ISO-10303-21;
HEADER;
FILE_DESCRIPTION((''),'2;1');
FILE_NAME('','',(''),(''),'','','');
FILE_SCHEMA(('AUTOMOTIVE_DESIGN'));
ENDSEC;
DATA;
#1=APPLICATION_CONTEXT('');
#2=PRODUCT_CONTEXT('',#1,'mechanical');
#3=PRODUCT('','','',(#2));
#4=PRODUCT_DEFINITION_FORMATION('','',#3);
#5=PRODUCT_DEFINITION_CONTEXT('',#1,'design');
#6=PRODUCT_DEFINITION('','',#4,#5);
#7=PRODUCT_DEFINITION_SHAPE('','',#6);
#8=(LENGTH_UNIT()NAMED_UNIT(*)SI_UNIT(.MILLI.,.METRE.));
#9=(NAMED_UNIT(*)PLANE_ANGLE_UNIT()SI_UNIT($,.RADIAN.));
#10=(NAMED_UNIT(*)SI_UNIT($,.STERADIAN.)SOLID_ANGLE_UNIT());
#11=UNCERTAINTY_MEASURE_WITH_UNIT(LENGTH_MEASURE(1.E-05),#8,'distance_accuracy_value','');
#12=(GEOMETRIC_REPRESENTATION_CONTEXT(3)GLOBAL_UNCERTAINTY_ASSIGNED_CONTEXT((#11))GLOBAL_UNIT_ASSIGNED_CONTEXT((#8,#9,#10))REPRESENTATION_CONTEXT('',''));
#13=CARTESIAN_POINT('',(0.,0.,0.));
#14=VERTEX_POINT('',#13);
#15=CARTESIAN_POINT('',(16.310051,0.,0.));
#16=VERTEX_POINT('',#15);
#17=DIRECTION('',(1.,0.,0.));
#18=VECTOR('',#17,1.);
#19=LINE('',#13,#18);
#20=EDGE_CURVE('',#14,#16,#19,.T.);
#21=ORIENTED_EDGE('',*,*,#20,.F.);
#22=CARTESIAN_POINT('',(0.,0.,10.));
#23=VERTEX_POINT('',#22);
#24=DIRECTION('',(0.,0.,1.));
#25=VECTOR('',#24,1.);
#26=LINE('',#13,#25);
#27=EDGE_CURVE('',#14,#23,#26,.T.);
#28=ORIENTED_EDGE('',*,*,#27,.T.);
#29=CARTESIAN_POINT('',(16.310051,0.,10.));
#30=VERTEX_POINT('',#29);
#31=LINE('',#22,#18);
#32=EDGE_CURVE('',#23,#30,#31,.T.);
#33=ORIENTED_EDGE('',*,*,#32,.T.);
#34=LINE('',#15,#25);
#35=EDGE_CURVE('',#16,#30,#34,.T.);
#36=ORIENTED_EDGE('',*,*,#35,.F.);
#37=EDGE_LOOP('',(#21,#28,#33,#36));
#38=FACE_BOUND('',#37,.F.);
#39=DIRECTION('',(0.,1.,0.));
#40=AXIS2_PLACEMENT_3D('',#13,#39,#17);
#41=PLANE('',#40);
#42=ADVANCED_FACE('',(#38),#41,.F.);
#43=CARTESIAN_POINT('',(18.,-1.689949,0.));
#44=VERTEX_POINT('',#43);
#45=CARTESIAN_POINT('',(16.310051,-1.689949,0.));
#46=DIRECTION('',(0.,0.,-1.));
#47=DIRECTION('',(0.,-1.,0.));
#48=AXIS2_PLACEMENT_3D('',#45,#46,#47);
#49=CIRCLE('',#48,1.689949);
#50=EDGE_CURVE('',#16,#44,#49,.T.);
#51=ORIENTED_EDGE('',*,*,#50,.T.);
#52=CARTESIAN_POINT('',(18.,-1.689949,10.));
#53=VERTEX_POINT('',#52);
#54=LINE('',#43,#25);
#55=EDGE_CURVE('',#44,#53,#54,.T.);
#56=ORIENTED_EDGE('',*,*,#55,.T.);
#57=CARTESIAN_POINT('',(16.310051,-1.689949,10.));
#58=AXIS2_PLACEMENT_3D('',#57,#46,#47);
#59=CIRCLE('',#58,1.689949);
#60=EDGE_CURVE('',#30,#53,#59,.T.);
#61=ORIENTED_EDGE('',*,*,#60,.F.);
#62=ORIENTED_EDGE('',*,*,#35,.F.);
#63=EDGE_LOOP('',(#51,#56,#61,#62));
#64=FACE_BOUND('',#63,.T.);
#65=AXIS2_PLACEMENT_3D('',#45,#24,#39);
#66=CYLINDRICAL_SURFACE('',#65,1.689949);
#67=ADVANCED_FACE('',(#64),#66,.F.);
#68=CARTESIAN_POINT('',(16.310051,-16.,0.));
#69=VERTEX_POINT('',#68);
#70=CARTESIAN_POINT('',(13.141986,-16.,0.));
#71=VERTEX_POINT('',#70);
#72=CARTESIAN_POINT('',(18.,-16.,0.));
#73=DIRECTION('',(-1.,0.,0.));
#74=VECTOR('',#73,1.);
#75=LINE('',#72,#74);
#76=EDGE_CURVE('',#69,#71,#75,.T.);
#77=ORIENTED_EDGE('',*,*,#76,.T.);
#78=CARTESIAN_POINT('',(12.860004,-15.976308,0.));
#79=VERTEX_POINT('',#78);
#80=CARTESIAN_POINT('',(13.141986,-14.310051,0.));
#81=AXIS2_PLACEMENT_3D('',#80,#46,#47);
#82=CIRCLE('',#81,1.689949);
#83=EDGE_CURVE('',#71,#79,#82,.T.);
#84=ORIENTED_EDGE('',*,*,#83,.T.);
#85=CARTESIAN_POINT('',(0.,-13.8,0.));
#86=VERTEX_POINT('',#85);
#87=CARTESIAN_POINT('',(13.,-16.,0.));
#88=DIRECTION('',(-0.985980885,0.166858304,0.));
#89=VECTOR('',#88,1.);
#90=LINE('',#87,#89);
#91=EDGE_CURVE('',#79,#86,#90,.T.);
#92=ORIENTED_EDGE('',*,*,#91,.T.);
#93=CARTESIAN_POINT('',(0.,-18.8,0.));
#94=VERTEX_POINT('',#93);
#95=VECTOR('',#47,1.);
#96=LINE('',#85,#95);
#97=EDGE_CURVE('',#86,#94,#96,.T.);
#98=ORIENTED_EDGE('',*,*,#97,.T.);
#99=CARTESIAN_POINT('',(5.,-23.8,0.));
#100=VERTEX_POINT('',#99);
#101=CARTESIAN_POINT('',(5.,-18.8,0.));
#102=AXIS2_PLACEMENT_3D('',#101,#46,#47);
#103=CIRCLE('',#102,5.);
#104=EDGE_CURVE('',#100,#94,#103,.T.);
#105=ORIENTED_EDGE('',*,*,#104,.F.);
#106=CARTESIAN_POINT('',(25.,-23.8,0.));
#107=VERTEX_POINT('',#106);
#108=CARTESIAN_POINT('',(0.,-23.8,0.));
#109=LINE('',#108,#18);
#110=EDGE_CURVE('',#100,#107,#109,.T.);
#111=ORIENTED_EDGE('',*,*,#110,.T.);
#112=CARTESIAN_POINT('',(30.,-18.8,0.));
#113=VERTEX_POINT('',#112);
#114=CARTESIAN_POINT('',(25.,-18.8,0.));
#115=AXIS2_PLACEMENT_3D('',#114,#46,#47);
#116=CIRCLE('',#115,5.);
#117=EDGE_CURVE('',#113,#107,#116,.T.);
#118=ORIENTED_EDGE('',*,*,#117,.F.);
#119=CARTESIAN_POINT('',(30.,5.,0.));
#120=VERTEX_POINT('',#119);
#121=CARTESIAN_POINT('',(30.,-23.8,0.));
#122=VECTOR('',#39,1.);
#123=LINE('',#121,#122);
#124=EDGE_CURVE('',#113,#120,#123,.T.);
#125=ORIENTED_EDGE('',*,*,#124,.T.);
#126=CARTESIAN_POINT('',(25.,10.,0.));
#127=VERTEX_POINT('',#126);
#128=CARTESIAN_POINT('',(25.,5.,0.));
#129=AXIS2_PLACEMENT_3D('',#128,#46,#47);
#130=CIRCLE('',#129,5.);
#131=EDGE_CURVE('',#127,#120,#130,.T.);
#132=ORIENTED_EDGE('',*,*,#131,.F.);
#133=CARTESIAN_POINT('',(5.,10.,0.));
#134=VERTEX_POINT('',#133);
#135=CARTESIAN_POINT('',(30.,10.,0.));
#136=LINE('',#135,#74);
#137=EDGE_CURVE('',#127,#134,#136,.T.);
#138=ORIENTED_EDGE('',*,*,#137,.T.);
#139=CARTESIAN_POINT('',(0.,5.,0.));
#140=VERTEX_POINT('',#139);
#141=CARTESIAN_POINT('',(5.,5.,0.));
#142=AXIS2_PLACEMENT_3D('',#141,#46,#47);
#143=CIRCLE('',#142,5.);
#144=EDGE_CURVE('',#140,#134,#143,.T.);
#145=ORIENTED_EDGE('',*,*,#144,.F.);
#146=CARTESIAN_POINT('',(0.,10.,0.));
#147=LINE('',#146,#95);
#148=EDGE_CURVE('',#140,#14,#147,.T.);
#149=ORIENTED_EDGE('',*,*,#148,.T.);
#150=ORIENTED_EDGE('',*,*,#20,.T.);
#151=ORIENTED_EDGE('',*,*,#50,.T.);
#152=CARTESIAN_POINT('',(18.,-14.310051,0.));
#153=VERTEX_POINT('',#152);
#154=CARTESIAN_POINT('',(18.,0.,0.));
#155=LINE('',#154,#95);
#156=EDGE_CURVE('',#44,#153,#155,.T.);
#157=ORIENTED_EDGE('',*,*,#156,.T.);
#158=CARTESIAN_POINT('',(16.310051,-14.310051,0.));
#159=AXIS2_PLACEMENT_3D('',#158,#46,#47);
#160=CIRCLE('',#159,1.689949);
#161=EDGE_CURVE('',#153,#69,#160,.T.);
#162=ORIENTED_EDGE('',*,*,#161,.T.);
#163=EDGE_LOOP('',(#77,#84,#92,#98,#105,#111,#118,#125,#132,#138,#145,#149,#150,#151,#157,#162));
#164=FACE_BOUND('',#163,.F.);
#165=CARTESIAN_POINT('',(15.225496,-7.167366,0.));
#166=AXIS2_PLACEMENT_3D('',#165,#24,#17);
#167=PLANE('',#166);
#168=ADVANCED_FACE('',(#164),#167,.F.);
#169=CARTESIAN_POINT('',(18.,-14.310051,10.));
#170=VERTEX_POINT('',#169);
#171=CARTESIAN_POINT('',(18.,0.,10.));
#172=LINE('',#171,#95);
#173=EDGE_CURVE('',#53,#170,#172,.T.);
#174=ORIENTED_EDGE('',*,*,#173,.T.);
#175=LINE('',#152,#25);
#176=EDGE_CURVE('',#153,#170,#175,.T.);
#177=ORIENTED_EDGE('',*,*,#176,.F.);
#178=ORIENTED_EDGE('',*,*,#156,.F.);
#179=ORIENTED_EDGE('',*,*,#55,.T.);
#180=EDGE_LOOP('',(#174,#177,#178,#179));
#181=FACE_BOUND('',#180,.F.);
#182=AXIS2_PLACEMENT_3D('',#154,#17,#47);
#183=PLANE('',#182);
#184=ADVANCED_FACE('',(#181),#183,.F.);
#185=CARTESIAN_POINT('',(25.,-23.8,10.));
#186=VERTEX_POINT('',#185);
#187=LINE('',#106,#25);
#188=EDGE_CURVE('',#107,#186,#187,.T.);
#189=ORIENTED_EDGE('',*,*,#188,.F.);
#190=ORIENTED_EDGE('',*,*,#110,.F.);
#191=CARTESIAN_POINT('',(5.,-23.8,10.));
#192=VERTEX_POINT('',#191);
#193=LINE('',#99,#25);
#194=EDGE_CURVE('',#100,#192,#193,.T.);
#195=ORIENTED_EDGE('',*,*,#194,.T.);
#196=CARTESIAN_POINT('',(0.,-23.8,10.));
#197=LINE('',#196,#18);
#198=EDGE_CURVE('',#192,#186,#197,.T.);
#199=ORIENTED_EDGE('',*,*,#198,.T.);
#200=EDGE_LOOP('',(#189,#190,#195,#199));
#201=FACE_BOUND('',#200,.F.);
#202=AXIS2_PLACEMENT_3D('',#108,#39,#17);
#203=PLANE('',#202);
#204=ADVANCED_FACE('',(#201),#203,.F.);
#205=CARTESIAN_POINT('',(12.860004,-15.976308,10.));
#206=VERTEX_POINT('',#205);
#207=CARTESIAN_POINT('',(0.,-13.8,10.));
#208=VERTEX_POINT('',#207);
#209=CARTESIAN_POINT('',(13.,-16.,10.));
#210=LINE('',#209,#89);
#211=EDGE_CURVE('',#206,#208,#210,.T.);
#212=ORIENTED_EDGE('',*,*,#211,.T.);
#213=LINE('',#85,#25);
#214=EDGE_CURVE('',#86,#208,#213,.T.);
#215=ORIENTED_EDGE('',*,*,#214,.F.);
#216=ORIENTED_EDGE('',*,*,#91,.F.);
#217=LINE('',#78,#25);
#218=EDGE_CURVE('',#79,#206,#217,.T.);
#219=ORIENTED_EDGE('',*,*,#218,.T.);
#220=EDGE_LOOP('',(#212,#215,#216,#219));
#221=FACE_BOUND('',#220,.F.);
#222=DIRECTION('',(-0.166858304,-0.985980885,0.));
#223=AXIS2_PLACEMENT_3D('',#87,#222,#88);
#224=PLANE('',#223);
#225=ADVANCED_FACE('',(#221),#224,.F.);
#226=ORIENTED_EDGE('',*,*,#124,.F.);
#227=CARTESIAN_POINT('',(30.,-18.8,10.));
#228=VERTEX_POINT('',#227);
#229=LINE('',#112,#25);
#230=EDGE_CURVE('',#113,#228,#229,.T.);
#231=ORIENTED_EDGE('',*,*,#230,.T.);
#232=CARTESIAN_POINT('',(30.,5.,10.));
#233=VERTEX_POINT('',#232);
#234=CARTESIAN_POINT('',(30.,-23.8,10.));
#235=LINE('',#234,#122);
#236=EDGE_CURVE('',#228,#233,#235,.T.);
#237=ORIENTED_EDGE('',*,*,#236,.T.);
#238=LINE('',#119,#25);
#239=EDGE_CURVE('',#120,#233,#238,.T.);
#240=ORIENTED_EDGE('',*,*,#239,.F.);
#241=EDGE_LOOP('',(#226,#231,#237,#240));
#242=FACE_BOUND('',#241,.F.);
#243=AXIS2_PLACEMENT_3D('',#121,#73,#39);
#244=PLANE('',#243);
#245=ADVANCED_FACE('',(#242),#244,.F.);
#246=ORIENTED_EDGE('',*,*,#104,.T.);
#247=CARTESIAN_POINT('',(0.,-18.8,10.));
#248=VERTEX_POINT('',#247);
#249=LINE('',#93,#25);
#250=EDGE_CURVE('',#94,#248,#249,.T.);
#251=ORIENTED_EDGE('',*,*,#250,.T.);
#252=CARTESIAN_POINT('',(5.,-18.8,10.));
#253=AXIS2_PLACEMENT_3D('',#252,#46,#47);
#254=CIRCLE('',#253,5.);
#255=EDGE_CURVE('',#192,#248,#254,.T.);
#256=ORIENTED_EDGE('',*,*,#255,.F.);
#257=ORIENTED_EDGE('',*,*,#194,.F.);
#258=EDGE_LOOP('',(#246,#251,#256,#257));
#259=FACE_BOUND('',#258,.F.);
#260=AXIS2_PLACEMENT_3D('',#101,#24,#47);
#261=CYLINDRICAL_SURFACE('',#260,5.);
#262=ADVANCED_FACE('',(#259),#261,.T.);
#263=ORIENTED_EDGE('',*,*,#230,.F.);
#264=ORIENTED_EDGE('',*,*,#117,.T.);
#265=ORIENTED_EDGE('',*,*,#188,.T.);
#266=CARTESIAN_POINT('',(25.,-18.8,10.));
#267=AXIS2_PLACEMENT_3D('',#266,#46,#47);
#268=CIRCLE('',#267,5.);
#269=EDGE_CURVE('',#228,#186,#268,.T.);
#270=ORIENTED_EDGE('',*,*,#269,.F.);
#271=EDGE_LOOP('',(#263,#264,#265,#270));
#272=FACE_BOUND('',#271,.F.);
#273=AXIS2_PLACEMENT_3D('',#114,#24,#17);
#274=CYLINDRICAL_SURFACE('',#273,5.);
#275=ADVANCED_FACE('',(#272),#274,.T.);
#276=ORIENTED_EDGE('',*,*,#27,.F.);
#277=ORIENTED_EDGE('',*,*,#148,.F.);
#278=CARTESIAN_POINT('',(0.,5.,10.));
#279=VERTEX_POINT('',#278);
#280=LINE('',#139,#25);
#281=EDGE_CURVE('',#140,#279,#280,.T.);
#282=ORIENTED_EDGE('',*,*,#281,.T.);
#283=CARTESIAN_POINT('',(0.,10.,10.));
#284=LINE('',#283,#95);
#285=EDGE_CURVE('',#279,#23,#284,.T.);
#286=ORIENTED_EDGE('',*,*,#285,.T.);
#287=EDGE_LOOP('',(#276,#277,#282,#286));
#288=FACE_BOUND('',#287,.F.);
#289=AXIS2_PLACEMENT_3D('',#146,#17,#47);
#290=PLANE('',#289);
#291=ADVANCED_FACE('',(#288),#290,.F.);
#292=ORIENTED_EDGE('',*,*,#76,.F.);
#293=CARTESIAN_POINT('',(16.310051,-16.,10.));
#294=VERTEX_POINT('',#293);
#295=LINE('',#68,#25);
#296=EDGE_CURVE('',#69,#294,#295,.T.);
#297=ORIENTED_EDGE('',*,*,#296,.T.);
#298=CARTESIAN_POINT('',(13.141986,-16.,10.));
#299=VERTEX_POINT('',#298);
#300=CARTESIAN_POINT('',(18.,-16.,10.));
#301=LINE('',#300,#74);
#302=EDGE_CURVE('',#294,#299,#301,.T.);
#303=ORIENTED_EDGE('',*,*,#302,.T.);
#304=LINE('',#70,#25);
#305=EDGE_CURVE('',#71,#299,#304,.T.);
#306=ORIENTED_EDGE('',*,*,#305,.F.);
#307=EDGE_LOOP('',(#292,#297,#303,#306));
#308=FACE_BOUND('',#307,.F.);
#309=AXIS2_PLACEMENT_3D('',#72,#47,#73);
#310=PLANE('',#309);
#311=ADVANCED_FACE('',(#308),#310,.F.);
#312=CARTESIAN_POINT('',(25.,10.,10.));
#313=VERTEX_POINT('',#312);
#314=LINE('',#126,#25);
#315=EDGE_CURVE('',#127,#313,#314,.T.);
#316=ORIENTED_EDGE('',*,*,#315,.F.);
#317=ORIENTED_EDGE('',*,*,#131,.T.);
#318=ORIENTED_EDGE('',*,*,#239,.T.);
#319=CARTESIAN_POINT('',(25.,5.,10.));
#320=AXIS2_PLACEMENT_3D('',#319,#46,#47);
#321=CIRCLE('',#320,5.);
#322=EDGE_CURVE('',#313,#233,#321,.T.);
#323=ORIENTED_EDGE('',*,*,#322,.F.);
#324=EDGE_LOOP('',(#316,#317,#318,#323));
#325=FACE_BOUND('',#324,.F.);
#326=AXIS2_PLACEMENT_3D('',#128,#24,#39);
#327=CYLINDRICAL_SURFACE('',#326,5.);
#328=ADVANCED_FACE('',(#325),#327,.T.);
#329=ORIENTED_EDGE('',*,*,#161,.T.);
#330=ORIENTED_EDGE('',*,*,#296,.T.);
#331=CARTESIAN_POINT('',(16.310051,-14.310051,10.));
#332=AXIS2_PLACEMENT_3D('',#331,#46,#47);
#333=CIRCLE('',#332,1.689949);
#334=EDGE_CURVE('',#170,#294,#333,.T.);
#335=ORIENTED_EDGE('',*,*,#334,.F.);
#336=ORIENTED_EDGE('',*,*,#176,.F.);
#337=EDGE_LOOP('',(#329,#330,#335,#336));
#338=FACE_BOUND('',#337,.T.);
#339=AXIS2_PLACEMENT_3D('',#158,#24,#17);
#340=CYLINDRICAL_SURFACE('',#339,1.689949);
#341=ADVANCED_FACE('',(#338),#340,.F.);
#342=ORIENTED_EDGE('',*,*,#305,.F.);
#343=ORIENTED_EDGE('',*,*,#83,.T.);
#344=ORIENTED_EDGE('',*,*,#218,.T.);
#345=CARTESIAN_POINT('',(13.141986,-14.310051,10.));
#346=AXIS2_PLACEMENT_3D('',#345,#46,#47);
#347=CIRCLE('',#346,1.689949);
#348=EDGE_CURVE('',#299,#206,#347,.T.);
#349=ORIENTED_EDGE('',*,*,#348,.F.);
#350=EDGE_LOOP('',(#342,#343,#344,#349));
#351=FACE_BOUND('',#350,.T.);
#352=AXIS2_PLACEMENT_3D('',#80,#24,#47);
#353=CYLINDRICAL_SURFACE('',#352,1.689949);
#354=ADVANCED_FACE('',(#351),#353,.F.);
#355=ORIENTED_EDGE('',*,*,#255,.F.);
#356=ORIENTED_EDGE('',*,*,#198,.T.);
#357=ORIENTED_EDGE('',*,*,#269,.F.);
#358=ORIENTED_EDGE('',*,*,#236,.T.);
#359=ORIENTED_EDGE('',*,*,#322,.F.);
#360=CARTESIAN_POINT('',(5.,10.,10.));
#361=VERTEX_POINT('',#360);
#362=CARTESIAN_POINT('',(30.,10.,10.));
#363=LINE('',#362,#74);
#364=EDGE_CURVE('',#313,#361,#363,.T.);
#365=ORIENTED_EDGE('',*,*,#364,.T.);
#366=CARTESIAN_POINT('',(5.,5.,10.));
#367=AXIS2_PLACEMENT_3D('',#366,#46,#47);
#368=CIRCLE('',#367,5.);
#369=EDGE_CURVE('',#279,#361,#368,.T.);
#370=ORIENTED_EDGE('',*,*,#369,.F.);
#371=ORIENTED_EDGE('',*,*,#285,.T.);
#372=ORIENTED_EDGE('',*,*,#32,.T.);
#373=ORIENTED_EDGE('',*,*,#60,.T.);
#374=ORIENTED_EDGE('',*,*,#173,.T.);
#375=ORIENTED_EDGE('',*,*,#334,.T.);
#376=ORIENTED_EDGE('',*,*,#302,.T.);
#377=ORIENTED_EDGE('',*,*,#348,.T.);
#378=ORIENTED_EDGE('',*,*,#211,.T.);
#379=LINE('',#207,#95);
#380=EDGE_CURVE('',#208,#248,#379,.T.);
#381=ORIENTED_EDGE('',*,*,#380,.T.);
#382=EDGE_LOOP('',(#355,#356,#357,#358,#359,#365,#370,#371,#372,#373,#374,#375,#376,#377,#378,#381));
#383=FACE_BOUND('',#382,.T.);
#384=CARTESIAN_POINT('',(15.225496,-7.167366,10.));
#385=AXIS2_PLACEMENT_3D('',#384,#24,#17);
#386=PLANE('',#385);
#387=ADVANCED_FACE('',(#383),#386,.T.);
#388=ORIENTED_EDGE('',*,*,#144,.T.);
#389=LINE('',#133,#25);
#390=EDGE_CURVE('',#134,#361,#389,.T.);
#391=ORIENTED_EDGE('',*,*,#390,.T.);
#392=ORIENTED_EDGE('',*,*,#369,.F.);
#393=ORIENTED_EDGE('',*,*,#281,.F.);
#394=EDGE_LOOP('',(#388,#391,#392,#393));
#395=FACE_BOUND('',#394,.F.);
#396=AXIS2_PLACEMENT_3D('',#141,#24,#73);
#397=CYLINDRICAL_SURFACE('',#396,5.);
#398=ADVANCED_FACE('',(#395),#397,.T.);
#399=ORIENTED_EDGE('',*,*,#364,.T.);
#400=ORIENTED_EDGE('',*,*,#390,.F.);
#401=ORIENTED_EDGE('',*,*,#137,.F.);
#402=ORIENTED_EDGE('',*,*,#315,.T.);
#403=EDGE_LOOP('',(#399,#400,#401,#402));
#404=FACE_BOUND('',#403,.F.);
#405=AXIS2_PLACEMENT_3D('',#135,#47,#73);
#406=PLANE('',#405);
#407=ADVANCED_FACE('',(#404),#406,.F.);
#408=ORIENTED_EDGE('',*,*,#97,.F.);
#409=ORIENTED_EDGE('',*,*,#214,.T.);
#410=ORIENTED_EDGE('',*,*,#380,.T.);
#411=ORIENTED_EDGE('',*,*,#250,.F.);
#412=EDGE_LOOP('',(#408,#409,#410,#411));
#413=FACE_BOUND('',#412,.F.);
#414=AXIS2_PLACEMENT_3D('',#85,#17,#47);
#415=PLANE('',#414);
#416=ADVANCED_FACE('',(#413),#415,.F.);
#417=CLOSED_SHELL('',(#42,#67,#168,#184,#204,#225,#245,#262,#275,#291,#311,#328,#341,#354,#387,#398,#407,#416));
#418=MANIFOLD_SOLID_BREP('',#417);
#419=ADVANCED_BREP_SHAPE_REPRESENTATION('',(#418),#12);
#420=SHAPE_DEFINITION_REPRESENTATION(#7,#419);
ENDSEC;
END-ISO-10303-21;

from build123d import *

# Parameters (mm, degrees)
F1_DEPTH = 10
F2_R     = 1.689949
F3_R     = 5


with BuildPart() as f1:
    # F0 (on Top) → F1 (new body)
    with BuildSketch(Plane.XY):
        Polygon((0, 10), (0, 0), (18, 0), (18, -16), (13, -16), (0, -13.8), (0, -23.8), (30, -23.8), (30, 10), align=None)
    extrude(amount=F1_DEPTH)

    # F2
    f2_edges = [f1.edges().sort_by_distance(p)[0] for p in [
        (18, 0, 5),
        (18, -16, 5),
        (13, -16, 5),
    ]]
    fillet(f2_edges, radius=F2_R)

    # F3
    f3_edges = [f1.edges().sort_by_distance(p)[0] for p in [
        (0, 10, 5),
        (30, 10, 5),
        (30, -23.8, 5),
        (0, -23.8, 5),
    ]]
    fillet(f3_edges, radius=F3_R)


solid = f1.part
